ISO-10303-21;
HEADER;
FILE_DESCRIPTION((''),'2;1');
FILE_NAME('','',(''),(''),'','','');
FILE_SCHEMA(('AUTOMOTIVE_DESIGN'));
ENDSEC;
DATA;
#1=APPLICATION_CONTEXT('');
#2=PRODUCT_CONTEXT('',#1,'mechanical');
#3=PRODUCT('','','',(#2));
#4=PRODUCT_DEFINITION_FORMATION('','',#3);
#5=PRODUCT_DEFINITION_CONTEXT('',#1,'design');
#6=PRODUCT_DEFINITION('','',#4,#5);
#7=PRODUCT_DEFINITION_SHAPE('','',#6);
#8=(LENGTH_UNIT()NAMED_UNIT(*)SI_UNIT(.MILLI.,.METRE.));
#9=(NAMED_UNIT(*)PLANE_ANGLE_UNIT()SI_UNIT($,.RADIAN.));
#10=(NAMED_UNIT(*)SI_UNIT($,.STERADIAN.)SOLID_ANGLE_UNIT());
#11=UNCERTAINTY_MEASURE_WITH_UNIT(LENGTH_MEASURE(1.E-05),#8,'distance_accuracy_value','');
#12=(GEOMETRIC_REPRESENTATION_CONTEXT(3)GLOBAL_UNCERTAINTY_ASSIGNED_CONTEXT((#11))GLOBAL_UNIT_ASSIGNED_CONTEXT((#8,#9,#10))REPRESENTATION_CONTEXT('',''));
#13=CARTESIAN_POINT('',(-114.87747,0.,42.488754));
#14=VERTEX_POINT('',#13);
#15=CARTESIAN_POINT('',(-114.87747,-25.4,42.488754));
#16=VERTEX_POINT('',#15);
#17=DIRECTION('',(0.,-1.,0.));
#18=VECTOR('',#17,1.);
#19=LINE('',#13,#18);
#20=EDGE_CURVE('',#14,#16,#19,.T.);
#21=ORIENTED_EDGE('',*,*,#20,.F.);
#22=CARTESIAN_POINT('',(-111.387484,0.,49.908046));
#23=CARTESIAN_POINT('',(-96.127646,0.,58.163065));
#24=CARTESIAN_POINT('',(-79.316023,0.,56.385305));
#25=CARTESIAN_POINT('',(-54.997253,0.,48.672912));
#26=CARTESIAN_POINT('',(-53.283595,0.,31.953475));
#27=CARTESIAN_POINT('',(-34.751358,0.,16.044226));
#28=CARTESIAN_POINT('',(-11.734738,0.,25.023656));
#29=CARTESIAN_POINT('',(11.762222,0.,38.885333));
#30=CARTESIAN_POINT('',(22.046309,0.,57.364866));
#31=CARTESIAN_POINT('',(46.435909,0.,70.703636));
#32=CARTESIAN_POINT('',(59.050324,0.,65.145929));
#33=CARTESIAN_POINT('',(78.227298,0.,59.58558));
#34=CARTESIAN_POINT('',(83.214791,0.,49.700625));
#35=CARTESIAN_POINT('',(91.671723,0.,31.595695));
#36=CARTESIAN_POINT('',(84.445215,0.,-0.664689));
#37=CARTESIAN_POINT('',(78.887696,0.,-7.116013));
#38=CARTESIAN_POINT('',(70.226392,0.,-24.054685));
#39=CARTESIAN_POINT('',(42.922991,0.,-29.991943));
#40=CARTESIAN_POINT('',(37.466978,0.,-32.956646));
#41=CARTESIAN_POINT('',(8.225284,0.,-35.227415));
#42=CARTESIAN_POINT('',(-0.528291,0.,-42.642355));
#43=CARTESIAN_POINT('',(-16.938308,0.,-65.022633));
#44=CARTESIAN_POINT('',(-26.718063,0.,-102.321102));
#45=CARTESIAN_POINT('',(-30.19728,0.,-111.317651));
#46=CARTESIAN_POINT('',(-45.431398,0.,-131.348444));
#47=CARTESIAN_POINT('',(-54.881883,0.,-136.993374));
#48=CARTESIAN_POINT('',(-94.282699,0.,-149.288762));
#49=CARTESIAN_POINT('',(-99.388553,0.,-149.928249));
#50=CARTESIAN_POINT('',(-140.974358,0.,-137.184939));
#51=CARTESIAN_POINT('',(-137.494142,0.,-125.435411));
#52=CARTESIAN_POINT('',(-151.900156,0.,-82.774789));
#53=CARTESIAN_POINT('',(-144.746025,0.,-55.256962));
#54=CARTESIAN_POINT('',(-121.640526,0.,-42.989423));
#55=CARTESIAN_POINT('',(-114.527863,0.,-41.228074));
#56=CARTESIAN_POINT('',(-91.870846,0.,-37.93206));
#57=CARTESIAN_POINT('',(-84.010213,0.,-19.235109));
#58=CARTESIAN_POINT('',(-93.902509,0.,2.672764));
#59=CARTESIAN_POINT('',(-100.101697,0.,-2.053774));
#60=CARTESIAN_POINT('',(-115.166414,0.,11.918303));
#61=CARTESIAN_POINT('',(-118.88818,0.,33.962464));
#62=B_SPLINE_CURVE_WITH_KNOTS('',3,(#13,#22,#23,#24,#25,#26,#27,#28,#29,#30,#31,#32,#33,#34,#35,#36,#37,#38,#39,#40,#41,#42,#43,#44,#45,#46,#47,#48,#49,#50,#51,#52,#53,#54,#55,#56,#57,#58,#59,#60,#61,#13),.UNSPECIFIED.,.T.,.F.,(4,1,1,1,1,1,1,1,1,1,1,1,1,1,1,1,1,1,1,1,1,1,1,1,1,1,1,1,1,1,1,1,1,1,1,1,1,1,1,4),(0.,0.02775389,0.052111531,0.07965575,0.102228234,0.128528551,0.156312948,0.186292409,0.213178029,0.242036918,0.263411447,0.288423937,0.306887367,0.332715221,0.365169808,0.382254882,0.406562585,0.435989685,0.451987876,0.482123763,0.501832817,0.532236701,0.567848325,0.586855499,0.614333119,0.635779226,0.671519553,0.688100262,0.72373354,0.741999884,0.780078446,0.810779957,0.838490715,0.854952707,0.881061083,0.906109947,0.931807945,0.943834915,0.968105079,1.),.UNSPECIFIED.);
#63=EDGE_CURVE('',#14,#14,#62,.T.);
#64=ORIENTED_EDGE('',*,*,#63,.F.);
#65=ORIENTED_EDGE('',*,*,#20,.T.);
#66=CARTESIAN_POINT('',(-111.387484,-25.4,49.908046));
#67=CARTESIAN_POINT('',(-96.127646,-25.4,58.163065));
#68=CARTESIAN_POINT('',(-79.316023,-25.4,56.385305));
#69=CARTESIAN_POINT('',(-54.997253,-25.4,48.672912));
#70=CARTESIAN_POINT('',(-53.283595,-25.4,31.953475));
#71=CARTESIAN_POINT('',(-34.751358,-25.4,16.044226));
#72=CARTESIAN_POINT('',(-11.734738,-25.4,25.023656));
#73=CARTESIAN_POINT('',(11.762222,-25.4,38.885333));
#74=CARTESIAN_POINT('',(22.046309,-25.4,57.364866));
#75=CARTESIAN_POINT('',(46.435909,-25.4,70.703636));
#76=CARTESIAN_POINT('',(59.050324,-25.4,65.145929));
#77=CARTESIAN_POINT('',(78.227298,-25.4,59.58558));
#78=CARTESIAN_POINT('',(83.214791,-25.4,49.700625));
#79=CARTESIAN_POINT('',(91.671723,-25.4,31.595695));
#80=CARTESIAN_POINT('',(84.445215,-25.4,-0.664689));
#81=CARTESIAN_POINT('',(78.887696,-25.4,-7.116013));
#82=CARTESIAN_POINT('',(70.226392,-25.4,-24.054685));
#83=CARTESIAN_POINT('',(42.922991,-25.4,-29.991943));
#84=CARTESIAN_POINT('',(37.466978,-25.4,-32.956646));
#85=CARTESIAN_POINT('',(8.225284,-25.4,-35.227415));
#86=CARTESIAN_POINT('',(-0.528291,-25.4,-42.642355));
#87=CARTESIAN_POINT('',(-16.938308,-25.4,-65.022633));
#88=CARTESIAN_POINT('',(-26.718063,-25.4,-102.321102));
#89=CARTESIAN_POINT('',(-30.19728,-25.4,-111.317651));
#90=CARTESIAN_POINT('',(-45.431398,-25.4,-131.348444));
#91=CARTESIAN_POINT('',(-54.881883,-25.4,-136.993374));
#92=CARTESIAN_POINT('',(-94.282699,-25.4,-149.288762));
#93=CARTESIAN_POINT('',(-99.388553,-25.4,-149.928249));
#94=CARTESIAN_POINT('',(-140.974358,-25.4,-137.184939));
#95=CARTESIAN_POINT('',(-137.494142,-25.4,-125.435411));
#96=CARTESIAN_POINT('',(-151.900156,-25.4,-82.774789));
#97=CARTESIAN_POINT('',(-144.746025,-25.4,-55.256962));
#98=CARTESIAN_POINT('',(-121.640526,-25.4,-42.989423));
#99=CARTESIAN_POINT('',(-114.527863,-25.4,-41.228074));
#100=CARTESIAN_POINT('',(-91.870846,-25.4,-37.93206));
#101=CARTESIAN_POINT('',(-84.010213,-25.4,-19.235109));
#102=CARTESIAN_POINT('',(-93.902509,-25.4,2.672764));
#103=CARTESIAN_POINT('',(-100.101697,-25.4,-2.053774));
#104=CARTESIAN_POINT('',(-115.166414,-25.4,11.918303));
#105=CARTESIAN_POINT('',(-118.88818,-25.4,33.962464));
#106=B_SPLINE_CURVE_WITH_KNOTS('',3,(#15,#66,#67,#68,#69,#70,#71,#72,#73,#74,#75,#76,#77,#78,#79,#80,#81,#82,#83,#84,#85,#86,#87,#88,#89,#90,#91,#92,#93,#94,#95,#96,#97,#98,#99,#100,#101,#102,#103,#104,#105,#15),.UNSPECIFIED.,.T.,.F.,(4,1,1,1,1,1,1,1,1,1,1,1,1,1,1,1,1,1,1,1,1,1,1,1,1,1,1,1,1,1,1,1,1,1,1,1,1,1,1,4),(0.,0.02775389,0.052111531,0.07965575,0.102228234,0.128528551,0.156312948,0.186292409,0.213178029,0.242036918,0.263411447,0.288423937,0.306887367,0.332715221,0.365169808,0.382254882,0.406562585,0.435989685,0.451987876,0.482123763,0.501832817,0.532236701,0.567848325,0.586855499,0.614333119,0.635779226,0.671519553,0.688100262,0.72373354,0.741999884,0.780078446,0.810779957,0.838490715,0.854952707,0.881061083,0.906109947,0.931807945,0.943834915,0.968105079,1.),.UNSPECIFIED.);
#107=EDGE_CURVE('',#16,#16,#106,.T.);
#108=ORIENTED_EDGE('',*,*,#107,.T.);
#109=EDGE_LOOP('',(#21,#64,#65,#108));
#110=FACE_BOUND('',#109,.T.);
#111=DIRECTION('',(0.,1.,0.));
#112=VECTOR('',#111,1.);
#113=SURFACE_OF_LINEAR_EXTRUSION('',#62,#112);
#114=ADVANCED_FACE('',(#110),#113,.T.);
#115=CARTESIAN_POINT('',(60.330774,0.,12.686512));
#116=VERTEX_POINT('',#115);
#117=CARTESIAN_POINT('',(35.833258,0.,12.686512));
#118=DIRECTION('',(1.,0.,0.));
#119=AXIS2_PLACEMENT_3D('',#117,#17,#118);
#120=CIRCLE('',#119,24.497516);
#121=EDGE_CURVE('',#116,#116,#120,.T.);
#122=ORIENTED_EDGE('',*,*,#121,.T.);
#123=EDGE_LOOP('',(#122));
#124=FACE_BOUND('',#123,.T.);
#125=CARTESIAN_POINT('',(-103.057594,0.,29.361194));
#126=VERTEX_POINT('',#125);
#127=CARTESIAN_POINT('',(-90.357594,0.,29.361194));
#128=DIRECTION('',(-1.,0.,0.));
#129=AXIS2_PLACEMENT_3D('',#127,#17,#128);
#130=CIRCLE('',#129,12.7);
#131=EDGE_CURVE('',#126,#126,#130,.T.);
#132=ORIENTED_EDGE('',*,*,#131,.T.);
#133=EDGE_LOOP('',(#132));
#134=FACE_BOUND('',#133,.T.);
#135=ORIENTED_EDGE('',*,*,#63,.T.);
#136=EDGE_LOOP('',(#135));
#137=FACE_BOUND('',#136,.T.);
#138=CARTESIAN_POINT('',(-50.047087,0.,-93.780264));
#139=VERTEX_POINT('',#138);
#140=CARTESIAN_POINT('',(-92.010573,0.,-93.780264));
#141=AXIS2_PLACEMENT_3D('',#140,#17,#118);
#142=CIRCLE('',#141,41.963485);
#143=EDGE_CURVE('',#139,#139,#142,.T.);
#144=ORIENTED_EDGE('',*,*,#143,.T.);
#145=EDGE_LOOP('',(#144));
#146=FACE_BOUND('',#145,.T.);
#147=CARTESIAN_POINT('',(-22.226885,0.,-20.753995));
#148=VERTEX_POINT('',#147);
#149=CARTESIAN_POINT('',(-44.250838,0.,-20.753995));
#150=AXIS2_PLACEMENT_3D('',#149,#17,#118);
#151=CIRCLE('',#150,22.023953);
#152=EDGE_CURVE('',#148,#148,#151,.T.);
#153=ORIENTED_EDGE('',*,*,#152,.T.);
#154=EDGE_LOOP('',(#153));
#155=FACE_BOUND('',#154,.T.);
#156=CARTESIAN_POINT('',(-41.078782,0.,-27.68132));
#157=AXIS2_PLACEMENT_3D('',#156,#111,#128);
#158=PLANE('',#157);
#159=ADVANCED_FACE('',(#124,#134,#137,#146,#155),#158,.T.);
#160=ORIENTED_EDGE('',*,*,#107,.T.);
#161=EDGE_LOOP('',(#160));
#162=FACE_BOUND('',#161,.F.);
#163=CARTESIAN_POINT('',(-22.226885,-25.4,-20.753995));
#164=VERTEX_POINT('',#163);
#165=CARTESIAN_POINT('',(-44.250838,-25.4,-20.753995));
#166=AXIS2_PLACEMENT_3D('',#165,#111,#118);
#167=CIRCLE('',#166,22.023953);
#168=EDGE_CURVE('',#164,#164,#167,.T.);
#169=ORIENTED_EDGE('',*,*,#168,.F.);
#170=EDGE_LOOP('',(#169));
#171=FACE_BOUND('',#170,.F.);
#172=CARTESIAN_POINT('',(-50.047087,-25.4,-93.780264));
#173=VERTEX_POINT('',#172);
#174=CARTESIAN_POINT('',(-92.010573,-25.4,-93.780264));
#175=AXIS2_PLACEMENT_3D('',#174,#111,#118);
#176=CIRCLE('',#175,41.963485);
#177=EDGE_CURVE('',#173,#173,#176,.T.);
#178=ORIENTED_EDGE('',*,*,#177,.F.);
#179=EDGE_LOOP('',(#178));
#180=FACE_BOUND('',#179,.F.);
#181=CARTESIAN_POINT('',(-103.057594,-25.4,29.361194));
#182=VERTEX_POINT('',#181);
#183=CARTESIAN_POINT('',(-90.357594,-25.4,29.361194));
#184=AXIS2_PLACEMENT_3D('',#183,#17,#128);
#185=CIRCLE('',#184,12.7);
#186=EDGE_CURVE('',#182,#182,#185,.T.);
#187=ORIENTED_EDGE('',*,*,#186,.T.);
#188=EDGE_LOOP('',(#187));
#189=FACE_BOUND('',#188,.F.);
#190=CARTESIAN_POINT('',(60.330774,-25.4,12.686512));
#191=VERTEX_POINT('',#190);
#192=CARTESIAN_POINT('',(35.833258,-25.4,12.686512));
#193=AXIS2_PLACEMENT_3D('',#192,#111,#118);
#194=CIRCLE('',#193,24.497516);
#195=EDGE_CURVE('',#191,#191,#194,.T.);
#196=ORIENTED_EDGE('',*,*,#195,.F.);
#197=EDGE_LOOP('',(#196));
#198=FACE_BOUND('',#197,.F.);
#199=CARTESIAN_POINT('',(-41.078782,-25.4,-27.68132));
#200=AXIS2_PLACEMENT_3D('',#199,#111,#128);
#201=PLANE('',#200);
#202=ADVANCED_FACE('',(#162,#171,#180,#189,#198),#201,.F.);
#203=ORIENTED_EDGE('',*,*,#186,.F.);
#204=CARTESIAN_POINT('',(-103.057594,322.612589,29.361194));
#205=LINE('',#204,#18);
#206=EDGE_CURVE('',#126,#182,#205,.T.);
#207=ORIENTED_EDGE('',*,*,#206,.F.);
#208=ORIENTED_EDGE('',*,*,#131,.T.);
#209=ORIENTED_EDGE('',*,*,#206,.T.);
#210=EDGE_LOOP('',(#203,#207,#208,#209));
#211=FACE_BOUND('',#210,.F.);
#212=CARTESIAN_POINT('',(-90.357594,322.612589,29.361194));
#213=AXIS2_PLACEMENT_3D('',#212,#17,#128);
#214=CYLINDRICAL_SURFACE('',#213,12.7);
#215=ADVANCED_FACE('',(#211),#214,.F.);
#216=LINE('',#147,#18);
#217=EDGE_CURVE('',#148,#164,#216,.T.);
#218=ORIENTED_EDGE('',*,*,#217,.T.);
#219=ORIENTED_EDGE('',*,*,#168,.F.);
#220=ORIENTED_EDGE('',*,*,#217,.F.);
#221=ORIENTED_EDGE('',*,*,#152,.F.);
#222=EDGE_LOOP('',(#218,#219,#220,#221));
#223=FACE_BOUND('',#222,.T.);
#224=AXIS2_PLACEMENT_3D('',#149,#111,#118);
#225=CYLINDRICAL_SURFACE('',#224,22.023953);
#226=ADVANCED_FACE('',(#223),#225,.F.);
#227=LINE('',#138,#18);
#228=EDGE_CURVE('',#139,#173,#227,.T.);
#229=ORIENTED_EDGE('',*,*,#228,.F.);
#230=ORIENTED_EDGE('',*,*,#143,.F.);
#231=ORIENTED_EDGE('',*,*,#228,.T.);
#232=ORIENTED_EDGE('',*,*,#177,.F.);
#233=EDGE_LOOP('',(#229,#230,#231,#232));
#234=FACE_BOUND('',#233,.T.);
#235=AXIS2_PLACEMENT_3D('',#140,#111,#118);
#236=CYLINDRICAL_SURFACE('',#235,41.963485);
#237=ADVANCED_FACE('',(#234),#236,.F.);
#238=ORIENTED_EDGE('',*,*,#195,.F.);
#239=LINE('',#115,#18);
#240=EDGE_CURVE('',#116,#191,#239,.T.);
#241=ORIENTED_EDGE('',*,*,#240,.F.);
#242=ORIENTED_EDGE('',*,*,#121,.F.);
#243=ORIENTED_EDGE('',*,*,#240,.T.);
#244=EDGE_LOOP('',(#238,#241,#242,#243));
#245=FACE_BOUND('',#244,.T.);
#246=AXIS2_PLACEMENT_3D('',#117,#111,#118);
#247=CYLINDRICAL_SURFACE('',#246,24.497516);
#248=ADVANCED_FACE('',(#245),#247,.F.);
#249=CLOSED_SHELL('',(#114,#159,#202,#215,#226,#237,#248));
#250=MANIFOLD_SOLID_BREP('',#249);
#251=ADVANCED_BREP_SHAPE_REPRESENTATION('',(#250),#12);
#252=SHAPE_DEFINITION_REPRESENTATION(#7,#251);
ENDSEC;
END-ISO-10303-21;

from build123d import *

# Parameters (mm, degrees)
F1_DEPTH = 25.4
F3_D     = 25.4
F2_R     = 24.4975157048
F2_R_2   = 22.0239533482
F2_R_3   = 41.9634854905
F4_DEPTH = 360.934


with BuildPart() as f1:
    # F0 (on Front) → F1 (new body)
    with BuildSketch(Plane.XZ):
        with BuildLine():
            add(Edge.make_bspline(
                [(-114.8774698377, 42.4887537956), (-111.3874842009, 49.9080455343), (-96.12764615, 58.163065403), (-79.3160231287, 56.3853047832), (-54.9972528188, 48.6729117796), (-53.2835948669, 31.9534746297), (-34.7513579826, 16.0442259657), (-11.7347384986, 25.0236559145), (11.7622216574, 38.8853326415), (22.0463091356, 57.3648658967), (46.4359091949, 70.7036361882), (59.0503241367, 65.1459289176), (78.2272981382, 59.5855803855), (83.2147910025, 49.7006254844), (91.6717229686, 31.595695345), (84.4452147906, -0.6646894679), (78.8876957631, -7.1160130441), (70.2263917081, -24.0546846802), (42.9229909694, -29.991943001), (37.4669781027, -32.9566462607), (8.2252841557, -35.2274148982), (-0.5282912439, -42.6423545209), (-16.9383077471, -65.0226328515), (-26.7180626131, -102.3211024599), (-30.1972800272, -111.3176514363), (-45.4313980427, -131.3484443521), (-54.88188338, -136.9933739246), (-94.2826994641, -149.2887620056), (-99.3885533851, -149.928248889), (-140.9743576342, -137.1849385888), (-137.4941421561, -125.4354109261), (-151.9001560818, -82.7747886924), (-144.7460250362, -55.2569623899), (-121.6405262003, -42.9894230294), (-114.5278626458, -41.2280738056), (-91.8708459188, -37.9320602497), (-84.0102131431, -19.2351085095), (-93.9025090557, 2.6727637835), (-100.1016970224, -2.0537743902), (-115.1664138707, 11.9183034656), (-118.8881802429, 33.962463526), (-114.8774698377, 42.4887537956)],
                knots=[0, 0, 0, 0, 0.0277538904, 0.0521115305, 0.0796557496, 0.1022282344, 0.1285285512, 0.1563129484, 0.1862924086, 0.2131780287, 0.2420369181, 0.2634114474, 0.2884239369, 0.3068873674, 0.3327152206, 0.3651698082, 0.3822548821, 0.4065625851, 0.4359896848, 0.451987876, 0.4821237632, 0.5018328166, 0.532236701, 0.5678483248, 0.5868554989, 0.6143331192, 0.6357792265, 0.6715195529, 0.6881002618, 0.7237335397, 0.7419998838, 0.7800784457, 0.8107799574, 0.8384907155, 0.8549527074, 0.881061083, 0.9061099475, 0.931807945, 0.9438349146, 0.9681050787, 1, 1, 1, 1], degree=3))
        make_face()
    extrude(amount=F1_DEPTH)

    # F3 (through all)
    with Locations(Plane(origin=(0, 0, 0), x_dir=(1, 0, 0), z_dir=(0, 1, 0))):
        with Locations((-90.357594192, -29.3611939996)):
            Hole(F3_D / 2)

    # F2 (on Front) → F4 (cut)
    with BuildSketch(Plane.XZ):
        with Locations((35.8332581818, 12.686512433)):
            Circle(F2_R)
        with Locations((-44.2508384585, -20.7539945841)):
            Circle(F2_R_2)
        with Locations((-92.0105725527, -93.7802642584)):
            Circle(F2_R_3)
    extrude(amount=F4_DEPTH, mode=Mode.SUBTRACT)


solid = f1.part
